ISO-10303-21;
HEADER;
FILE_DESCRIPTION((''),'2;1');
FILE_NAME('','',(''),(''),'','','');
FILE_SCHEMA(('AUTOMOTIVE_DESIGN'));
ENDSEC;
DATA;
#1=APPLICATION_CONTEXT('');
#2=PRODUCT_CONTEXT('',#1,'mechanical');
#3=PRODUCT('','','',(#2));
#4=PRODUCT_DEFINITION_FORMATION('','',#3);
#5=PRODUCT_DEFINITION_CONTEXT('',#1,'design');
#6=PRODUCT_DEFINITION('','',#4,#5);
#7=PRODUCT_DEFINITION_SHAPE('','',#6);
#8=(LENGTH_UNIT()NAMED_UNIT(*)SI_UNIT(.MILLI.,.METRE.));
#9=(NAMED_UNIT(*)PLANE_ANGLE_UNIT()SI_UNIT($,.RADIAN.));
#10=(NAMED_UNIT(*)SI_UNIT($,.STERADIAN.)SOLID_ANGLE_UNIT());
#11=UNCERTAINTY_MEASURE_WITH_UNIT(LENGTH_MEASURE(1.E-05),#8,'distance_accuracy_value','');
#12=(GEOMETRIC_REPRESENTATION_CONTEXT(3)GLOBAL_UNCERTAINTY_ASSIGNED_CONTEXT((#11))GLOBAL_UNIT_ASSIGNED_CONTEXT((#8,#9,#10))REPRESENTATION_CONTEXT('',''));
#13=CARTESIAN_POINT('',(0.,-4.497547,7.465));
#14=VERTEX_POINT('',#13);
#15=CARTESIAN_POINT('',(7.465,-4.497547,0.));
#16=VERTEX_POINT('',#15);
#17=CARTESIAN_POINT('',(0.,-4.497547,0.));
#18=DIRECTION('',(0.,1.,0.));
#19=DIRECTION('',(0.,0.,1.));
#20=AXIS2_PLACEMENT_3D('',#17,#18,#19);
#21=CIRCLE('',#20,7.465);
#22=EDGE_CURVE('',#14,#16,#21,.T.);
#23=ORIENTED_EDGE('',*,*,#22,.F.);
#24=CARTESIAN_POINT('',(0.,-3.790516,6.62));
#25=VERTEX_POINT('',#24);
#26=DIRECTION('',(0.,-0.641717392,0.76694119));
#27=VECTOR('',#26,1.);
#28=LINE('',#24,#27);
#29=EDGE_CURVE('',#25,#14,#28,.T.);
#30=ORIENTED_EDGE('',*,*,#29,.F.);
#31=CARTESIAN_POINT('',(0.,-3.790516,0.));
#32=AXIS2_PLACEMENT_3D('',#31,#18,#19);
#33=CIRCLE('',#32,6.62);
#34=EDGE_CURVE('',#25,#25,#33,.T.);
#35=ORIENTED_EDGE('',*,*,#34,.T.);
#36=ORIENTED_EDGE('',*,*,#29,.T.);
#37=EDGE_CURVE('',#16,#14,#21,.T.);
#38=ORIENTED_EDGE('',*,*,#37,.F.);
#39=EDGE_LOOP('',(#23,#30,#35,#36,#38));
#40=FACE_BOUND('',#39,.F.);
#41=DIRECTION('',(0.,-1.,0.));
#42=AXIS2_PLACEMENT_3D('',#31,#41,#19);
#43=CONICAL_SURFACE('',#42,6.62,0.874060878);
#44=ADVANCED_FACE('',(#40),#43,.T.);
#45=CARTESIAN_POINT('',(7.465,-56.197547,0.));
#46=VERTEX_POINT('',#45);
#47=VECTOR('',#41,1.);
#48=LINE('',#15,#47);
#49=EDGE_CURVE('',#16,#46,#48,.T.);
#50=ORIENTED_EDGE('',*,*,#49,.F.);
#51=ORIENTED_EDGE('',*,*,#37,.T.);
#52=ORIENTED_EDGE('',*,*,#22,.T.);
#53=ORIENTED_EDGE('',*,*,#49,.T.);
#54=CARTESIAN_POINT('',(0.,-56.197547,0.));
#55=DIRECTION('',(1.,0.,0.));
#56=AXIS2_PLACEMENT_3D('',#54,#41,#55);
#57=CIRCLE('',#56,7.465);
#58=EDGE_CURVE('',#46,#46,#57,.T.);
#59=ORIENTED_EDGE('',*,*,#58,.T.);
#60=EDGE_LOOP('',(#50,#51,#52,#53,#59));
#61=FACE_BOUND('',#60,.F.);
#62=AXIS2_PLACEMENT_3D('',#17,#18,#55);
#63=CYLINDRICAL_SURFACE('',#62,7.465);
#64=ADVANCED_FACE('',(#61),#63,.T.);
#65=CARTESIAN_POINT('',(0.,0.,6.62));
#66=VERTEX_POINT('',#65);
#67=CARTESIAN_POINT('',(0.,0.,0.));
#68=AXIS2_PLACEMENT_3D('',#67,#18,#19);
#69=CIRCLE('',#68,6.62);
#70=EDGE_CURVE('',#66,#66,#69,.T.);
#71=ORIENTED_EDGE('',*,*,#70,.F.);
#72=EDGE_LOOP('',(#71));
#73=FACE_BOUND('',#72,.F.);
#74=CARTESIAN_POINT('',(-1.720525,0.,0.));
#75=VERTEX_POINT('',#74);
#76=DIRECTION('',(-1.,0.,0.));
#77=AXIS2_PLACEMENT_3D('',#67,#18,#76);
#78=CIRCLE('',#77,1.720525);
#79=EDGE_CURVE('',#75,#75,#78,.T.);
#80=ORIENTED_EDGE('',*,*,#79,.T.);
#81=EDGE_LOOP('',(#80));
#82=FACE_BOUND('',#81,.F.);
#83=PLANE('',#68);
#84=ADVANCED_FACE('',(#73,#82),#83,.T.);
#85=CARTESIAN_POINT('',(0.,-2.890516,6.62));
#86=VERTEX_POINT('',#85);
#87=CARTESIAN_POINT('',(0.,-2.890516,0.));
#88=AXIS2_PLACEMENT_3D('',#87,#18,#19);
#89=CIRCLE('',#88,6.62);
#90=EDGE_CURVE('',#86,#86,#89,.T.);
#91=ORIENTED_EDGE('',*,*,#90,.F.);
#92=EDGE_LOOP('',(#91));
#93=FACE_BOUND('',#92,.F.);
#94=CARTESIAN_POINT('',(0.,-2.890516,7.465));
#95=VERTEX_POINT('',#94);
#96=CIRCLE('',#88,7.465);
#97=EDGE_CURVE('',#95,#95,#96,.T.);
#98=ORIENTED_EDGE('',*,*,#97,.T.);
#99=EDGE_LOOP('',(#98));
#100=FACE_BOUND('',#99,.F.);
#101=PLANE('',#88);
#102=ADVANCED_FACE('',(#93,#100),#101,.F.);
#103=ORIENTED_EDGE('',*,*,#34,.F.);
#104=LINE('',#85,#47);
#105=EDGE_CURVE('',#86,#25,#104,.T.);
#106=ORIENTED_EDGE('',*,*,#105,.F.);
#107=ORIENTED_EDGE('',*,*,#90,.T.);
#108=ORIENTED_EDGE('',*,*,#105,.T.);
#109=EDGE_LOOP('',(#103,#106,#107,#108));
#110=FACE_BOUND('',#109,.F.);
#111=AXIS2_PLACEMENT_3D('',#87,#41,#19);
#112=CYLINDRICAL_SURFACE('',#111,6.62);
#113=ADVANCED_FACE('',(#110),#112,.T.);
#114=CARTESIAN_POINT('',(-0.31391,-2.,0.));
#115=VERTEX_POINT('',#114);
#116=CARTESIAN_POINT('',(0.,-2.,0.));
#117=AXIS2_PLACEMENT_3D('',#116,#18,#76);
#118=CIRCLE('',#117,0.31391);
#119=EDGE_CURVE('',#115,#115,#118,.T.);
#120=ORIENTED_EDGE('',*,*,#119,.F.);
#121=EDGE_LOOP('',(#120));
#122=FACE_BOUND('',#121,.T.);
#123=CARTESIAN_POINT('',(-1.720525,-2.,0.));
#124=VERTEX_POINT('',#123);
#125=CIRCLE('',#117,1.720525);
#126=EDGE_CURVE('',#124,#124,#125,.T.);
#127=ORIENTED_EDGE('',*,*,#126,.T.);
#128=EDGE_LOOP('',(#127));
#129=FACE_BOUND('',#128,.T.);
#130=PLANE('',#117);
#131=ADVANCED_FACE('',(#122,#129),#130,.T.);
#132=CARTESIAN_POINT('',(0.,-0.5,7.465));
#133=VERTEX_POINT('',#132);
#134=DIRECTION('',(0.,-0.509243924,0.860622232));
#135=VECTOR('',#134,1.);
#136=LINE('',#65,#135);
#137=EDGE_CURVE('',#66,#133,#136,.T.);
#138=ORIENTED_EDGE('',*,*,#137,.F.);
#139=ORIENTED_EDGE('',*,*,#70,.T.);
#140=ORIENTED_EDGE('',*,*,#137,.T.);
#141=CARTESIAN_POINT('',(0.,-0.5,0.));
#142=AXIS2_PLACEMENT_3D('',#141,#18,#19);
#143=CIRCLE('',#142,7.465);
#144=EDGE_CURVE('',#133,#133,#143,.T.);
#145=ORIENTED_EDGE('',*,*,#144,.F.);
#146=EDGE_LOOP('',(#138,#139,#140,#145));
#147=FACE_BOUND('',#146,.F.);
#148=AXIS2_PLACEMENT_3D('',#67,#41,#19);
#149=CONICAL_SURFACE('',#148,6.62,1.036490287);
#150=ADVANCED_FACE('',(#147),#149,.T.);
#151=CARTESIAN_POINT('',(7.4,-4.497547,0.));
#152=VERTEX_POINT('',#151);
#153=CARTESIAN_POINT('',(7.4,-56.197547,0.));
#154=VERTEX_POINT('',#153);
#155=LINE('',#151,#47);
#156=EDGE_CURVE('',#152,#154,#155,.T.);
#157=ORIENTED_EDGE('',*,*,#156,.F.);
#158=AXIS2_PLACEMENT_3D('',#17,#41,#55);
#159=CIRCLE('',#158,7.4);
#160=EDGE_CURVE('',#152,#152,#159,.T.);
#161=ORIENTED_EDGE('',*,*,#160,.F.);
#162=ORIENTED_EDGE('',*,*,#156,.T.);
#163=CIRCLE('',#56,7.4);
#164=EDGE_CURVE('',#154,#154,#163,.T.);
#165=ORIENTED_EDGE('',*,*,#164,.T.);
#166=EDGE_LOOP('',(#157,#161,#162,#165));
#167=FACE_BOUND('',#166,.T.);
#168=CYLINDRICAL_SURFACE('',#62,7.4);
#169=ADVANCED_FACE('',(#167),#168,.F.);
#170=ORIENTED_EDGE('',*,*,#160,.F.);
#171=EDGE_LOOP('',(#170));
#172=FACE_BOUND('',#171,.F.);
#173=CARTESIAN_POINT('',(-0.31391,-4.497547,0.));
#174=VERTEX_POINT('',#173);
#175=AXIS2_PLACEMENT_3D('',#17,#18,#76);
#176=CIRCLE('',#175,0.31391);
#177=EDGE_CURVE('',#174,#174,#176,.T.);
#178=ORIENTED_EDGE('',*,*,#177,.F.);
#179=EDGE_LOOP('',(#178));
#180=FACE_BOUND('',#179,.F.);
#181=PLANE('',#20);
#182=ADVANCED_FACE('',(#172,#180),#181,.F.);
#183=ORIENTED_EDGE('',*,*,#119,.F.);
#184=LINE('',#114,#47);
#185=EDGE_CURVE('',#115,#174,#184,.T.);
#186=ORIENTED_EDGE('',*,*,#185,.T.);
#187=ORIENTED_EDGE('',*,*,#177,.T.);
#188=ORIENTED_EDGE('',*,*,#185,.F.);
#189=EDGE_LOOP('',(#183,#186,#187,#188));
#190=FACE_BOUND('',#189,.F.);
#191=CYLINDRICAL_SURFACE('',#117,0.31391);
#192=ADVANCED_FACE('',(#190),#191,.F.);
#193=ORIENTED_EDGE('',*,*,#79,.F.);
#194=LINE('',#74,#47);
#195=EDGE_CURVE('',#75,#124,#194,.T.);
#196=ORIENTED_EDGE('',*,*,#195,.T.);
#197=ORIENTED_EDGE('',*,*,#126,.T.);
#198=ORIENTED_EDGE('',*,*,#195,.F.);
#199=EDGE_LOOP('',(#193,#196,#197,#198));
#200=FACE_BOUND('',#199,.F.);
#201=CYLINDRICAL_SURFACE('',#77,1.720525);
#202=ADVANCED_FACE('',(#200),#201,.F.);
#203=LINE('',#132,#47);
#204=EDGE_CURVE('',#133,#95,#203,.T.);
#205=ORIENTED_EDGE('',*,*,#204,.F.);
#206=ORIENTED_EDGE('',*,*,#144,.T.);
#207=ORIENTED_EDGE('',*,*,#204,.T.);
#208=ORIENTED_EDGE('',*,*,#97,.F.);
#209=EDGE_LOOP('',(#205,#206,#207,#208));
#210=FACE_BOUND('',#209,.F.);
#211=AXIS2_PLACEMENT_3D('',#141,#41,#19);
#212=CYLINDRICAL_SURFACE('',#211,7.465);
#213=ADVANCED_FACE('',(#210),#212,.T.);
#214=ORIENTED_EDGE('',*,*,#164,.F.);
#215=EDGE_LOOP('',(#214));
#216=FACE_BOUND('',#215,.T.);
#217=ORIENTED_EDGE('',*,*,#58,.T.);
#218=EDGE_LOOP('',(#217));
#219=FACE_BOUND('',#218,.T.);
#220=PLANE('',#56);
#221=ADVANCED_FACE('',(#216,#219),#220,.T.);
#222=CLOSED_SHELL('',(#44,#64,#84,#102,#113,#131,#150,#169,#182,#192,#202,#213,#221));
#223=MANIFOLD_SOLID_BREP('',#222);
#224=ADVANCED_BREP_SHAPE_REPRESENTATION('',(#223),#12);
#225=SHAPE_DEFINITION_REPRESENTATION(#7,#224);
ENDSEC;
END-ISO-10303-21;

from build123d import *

# Parameters (mm, degrees)
F2_R     = 7.465
F2_R_2   = 7.4
F3_DEPTH = 51.7
F4_R     = 1.720525
F5_DEPTH = 2
F6_R     = 0.31391
F7_DEPTH = 54.198547


with BuildPart() as f1:
    # F0 (on Right) → F1 (revolve)
    with BuildSketch(Plane.YZ):
        Polygon((-4.497547, 0), (0, 0), (0, 6.62), (-0.5, 7.465), (-2.890516, 7.465), (-2.890516, 6.62), (-3.790516, 6.62), (-4.497547, 7.465), align=None)
    revolve(axis=Axis((0, -2.248773, 0), (0, 1, 0)))

    # F2 (on face) → F3 (join)
    with BuildSketch(Plane.XZ.offset(4.497547)):
        Circle(F2_R)
        Circle(F2_R_2, mode=Mode.SUBTRACT)
    extrude(amount=F3_DEPTH)

    # F4 (on face) → F5 (cut)
    with BuildSketch(Plane(origin=(0, 0, 0), x_dir=(-1, 0, 0), z_dir=(0, 1, 0))):
        Circle(F4_R)
    extrude(amount=-F5_DEPTH, mode=Mode.SUBTRACT)

    # F6 (on face) → F7 (cut, through all)
    with BuildSketch(Plane(origin=(0, -2, 0), x_dir=(-1, 0, 0), z_dir=(0, 1, 0))):
        Circle(F6_R)
    extrude(amount=-F7_DEPTH, mode=Mode.SUBTRACT)


solid = f1.part
